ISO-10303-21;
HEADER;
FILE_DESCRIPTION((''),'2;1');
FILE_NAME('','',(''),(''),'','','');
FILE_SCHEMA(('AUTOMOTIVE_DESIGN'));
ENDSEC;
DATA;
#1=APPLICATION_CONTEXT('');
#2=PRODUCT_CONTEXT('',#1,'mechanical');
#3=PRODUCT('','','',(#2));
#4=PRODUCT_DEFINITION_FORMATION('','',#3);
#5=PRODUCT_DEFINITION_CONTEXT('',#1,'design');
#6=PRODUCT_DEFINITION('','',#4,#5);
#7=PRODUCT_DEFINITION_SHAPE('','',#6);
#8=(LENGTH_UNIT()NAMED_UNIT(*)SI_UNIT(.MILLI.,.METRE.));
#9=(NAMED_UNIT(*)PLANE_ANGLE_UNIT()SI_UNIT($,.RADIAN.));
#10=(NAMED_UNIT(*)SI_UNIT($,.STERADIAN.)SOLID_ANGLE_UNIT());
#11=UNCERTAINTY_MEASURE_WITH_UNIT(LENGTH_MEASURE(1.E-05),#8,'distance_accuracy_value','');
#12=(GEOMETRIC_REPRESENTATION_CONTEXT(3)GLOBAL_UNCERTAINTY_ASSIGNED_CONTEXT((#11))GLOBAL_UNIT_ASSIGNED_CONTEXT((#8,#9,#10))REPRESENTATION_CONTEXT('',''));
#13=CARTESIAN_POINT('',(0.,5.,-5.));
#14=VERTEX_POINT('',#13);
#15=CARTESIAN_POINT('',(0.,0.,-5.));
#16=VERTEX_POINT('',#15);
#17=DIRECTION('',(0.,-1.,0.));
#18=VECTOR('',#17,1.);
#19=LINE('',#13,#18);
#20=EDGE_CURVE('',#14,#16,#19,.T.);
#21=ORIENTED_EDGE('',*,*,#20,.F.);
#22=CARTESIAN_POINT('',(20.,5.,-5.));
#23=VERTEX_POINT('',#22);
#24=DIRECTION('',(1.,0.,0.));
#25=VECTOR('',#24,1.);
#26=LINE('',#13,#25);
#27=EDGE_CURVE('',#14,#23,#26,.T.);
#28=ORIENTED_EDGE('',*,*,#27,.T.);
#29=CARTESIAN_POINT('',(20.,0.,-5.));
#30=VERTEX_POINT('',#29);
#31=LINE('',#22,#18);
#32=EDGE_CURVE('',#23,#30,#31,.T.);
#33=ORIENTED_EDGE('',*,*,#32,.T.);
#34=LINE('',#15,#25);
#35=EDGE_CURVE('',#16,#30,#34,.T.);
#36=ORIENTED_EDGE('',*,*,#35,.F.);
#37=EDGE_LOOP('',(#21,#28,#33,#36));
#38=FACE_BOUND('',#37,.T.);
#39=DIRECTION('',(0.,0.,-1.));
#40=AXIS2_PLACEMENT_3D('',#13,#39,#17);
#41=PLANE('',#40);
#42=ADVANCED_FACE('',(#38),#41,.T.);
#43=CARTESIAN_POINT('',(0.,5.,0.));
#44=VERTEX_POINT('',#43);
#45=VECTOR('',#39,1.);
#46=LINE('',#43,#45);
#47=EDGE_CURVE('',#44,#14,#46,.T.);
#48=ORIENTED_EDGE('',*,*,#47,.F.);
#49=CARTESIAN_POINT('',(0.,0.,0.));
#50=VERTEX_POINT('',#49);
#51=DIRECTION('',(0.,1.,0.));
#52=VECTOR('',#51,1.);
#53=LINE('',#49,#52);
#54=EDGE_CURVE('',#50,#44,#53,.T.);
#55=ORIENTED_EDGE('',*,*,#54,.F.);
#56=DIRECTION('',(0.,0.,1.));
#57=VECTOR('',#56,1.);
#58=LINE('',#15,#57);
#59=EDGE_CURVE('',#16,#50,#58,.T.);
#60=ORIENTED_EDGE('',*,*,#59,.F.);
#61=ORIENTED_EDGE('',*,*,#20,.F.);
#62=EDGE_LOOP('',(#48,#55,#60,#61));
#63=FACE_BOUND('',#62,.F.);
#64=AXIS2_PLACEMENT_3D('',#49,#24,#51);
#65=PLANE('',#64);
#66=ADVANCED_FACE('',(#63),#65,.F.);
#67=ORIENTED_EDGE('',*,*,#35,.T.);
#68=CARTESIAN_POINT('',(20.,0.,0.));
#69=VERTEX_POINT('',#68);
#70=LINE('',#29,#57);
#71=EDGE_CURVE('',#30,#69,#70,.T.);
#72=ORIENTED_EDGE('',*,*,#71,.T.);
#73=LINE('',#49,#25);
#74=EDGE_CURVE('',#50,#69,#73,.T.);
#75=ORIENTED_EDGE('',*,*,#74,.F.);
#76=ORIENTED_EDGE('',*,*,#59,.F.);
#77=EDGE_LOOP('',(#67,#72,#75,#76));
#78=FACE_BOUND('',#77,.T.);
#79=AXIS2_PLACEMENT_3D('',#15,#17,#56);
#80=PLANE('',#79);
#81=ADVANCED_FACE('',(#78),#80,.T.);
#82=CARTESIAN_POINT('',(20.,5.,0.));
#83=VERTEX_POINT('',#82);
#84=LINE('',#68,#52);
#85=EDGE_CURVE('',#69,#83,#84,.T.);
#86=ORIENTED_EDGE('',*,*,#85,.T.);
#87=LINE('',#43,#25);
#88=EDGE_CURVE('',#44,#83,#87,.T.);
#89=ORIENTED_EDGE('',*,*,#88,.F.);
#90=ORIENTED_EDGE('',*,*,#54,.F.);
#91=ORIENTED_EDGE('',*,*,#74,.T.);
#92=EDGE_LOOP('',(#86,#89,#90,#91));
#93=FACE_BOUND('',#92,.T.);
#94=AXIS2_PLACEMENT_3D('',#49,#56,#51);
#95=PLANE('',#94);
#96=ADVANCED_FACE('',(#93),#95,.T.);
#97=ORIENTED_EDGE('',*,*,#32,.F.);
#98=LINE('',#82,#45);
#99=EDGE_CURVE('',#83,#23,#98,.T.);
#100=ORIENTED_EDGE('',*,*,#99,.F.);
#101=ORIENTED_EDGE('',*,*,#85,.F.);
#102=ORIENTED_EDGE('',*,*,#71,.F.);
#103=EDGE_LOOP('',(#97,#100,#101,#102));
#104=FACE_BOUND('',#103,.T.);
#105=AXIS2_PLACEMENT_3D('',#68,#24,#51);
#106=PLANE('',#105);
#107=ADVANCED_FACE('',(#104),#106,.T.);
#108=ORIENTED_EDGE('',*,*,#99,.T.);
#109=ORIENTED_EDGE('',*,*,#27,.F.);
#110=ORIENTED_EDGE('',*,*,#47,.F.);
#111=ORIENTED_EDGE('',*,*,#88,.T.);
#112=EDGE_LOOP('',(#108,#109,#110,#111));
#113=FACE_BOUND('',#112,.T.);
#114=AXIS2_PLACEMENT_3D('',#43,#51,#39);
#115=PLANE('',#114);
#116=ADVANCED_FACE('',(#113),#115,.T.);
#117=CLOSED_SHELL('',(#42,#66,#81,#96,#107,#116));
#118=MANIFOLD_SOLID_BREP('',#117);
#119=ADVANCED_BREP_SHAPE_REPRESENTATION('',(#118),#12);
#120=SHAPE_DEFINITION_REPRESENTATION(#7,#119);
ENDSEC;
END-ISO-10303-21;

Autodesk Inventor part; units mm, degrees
ref_plane "YZ Plane" through (0, 0, 0) normal (1, 0, 0) x (0, 1, 0)
ref_plane "XZ Plane" through (0, 0, 0) normal (0, 1, 0) x (-1, 0, 0)
ref_plane "XY Plane" through (0, 0, 0) normal (0, 0, 1) x (1, 0, 0)
sketch "Sketch1" plane through (0, 0, 0) normal (1, 0, 0) x (0, 1, 0)
  line L0 (0, 0) -> (5, 0)
  line L1 (5, 0) -> (5, -5)
  line L2 (5, -5) -> (0, -5)
  line L3 (0, -5) -> (0, 0)
  dimension "d0" = 5
  dimension "d1" = 5
extrude "Extrusion1" add sketch "Sketch1" along normal blind 20
properties part number "sides"
